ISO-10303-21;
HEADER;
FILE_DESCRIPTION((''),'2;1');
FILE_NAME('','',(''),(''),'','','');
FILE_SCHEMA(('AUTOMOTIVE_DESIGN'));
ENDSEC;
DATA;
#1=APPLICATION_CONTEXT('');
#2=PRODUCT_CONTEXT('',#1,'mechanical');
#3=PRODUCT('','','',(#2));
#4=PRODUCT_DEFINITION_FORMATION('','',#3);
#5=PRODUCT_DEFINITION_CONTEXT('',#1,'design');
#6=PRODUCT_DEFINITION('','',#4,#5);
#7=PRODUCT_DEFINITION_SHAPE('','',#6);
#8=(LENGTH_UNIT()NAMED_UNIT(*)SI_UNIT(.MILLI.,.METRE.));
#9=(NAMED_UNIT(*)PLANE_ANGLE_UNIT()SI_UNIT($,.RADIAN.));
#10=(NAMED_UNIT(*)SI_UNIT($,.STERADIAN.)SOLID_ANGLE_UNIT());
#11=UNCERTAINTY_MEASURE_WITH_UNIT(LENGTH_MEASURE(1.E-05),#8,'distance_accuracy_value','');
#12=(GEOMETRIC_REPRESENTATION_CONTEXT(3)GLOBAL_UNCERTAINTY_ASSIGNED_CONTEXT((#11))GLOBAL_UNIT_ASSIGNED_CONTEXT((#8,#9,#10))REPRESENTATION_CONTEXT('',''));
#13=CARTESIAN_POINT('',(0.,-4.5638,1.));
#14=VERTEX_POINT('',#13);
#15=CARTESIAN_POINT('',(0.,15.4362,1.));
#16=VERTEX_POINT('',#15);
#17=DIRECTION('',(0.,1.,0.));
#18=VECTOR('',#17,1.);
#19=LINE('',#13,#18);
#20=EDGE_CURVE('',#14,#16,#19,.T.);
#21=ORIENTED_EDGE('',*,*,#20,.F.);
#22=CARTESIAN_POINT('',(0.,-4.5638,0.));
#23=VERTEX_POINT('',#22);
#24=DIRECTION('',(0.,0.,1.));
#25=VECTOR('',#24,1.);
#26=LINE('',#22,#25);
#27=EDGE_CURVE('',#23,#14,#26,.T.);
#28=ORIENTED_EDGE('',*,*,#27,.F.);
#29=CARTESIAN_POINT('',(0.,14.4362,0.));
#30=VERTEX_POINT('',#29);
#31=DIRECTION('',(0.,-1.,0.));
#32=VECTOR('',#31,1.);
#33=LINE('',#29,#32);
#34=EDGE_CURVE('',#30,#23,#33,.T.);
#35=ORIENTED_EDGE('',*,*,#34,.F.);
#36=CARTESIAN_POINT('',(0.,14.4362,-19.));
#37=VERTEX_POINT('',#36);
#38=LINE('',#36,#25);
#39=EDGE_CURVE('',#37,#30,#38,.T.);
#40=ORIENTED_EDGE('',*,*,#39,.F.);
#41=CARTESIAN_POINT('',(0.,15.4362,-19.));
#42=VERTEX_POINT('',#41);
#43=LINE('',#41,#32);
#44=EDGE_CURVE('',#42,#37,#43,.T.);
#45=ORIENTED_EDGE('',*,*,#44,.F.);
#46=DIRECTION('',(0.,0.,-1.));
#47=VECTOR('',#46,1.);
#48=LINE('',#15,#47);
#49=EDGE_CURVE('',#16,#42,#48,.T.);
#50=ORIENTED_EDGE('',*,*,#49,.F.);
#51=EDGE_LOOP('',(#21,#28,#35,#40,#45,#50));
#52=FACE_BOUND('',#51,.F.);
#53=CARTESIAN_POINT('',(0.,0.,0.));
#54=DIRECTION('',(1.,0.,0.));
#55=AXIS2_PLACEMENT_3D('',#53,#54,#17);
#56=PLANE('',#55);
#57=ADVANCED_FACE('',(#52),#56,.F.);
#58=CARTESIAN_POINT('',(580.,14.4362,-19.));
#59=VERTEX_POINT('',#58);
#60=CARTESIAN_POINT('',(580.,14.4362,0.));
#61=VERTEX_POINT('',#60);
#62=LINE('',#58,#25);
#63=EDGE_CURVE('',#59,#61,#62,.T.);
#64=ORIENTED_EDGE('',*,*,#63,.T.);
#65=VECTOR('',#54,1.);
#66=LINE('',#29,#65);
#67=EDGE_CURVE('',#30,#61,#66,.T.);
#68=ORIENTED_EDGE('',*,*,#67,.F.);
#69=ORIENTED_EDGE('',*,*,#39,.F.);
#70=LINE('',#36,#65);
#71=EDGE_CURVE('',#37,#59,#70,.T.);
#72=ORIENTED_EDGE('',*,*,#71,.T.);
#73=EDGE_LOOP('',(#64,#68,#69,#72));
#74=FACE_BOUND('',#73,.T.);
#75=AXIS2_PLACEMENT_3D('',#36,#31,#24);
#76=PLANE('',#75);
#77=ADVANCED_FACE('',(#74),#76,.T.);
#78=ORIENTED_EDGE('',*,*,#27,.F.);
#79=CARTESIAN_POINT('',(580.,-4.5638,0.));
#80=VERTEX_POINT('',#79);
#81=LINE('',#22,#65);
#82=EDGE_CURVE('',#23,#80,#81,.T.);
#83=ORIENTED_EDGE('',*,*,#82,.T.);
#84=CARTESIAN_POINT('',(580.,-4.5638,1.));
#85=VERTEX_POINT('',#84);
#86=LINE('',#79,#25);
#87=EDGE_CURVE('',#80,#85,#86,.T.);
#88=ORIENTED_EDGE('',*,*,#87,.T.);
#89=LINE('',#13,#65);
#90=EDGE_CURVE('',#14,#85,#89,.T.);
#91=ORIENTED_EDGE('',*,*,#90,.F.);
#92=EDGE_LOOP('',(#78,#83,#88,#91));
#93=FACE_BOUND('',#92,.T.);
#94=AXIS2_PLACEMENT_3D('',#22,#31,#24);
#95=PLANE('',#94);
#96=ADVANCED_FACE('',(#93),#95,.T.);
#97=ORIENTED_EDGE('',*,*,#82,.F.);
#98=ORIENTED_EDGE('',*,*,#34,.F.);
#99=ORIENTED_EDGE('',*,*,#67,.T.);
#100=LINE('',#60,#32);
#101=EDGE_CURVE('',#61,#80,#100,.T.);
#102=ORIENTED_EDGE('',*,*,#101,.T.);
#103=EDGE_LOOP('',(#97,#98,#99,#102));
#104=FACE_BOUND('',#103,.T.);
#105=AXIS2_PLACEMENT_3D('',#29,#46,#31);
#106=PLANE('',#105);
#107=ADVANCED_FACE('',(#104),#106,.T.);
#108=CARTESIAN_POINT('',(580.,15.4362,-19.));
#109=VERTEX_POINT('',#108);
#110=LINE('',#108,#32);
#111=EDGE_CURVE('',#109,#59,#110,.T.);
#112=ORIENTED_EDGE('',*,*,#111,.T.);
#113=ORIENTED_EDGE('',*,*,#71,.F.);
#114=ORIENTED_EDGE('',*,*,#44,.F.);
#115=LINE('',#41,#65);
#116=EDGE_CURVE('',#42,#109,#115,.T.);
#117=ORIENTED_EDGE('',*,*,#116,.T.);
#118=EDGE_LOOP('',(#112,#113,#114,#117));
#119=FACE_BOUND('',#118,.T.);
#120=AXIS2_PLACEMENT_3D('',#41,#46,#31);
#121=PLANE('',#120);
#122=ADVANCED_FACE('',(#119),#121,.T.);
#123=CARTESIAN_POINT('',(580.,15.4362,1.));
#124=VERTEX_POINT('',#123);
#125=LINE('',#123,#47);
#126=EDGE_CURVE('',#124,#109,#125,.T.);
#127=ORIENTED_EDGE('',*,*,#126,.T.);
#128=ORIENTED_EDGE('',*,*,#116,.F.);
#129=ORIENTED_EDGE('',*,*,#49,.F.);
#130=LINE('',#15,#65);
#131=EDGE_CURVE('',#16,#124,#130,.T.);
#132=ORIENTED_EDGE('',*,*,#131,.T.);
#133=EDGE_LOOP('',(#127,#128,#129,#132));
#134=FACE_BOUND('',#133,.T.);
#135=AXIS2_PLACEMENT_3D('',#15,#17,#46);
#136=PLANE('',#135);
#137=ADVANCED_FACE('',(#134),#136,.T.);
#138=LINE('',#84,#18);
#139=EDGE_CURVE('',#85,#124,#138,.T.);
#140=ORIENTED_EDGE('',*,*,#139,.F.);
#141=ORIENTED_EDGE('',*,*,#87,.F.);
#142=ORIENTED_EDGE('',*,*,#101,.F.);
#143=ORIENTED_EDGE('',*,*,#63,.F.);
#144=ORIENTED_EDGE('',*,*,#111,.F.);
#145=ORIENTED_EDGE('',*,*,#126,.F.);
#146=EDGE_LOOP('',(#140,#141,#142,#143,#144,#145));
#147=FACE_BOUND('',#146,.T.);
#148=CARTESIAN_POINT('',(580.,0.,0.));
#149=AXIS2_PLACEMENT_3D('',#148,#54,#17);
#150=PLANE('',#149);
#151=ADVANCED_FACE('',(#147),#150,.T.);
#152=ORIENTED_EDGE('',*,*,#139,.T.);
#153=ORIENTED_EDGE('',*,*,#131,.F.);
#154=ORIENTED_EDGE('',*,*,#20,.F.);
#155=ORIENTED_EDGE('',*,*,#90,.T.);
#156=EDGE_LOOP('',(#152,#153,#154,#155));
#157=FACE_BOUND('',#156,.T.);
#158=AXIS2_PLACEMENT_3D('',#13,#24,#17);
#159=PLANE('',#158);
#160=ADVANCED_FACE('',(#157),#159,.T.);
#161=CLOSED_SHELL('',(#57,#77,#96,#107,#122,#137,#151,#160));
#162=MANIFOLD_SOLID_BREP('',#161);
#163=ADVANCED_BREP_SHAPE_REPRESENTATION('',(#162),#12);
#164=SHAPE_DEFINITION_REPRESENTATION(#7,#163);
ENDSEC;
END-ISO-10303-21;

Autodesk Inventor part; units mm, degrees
ref_plane "YZ Plane" through (0, 0, 0) normal (1, 0, 0) x (0, 1, 0)
ref_plane "XZ Plane" through (0, 0, 0) normal (0, 1, 0) x (-1, 0, 0)
ref_plane "XY Plane" through (0, 0, 0) normal (0, 0, 1) x (1, 0, 0)
sketch "Эскиз1" plane through (0, 0, 0) normal (1, 0, 0) x (0, 1, 0)
  line L0 (-4.5638, 0) -> (-4.5638, 1)
  line L1 (-4.5638, 1) -> (15.4362, 1)
  line L2 (15.4362, 1) -> (15.4362, -19)
  line L3 (15.4362, -19) -> (14.4362, -19)
  line L4 (14.4362, -19) -> (14.4362, 0)
  line L5 (14.4362, 0) -> (-4.5638, 0)
  point P0 (0, 0)
  dimension "d0" = 1
  dimension "d1" = 20
  dimension "d2" = 20
  dimension "d3" = 1
  dimension "d4" = 19
extrude "Выдавливание1" add sketch "Эскиз1" along normal blind 580
properties part number "уголок 580" material "Алюминий 6061"
